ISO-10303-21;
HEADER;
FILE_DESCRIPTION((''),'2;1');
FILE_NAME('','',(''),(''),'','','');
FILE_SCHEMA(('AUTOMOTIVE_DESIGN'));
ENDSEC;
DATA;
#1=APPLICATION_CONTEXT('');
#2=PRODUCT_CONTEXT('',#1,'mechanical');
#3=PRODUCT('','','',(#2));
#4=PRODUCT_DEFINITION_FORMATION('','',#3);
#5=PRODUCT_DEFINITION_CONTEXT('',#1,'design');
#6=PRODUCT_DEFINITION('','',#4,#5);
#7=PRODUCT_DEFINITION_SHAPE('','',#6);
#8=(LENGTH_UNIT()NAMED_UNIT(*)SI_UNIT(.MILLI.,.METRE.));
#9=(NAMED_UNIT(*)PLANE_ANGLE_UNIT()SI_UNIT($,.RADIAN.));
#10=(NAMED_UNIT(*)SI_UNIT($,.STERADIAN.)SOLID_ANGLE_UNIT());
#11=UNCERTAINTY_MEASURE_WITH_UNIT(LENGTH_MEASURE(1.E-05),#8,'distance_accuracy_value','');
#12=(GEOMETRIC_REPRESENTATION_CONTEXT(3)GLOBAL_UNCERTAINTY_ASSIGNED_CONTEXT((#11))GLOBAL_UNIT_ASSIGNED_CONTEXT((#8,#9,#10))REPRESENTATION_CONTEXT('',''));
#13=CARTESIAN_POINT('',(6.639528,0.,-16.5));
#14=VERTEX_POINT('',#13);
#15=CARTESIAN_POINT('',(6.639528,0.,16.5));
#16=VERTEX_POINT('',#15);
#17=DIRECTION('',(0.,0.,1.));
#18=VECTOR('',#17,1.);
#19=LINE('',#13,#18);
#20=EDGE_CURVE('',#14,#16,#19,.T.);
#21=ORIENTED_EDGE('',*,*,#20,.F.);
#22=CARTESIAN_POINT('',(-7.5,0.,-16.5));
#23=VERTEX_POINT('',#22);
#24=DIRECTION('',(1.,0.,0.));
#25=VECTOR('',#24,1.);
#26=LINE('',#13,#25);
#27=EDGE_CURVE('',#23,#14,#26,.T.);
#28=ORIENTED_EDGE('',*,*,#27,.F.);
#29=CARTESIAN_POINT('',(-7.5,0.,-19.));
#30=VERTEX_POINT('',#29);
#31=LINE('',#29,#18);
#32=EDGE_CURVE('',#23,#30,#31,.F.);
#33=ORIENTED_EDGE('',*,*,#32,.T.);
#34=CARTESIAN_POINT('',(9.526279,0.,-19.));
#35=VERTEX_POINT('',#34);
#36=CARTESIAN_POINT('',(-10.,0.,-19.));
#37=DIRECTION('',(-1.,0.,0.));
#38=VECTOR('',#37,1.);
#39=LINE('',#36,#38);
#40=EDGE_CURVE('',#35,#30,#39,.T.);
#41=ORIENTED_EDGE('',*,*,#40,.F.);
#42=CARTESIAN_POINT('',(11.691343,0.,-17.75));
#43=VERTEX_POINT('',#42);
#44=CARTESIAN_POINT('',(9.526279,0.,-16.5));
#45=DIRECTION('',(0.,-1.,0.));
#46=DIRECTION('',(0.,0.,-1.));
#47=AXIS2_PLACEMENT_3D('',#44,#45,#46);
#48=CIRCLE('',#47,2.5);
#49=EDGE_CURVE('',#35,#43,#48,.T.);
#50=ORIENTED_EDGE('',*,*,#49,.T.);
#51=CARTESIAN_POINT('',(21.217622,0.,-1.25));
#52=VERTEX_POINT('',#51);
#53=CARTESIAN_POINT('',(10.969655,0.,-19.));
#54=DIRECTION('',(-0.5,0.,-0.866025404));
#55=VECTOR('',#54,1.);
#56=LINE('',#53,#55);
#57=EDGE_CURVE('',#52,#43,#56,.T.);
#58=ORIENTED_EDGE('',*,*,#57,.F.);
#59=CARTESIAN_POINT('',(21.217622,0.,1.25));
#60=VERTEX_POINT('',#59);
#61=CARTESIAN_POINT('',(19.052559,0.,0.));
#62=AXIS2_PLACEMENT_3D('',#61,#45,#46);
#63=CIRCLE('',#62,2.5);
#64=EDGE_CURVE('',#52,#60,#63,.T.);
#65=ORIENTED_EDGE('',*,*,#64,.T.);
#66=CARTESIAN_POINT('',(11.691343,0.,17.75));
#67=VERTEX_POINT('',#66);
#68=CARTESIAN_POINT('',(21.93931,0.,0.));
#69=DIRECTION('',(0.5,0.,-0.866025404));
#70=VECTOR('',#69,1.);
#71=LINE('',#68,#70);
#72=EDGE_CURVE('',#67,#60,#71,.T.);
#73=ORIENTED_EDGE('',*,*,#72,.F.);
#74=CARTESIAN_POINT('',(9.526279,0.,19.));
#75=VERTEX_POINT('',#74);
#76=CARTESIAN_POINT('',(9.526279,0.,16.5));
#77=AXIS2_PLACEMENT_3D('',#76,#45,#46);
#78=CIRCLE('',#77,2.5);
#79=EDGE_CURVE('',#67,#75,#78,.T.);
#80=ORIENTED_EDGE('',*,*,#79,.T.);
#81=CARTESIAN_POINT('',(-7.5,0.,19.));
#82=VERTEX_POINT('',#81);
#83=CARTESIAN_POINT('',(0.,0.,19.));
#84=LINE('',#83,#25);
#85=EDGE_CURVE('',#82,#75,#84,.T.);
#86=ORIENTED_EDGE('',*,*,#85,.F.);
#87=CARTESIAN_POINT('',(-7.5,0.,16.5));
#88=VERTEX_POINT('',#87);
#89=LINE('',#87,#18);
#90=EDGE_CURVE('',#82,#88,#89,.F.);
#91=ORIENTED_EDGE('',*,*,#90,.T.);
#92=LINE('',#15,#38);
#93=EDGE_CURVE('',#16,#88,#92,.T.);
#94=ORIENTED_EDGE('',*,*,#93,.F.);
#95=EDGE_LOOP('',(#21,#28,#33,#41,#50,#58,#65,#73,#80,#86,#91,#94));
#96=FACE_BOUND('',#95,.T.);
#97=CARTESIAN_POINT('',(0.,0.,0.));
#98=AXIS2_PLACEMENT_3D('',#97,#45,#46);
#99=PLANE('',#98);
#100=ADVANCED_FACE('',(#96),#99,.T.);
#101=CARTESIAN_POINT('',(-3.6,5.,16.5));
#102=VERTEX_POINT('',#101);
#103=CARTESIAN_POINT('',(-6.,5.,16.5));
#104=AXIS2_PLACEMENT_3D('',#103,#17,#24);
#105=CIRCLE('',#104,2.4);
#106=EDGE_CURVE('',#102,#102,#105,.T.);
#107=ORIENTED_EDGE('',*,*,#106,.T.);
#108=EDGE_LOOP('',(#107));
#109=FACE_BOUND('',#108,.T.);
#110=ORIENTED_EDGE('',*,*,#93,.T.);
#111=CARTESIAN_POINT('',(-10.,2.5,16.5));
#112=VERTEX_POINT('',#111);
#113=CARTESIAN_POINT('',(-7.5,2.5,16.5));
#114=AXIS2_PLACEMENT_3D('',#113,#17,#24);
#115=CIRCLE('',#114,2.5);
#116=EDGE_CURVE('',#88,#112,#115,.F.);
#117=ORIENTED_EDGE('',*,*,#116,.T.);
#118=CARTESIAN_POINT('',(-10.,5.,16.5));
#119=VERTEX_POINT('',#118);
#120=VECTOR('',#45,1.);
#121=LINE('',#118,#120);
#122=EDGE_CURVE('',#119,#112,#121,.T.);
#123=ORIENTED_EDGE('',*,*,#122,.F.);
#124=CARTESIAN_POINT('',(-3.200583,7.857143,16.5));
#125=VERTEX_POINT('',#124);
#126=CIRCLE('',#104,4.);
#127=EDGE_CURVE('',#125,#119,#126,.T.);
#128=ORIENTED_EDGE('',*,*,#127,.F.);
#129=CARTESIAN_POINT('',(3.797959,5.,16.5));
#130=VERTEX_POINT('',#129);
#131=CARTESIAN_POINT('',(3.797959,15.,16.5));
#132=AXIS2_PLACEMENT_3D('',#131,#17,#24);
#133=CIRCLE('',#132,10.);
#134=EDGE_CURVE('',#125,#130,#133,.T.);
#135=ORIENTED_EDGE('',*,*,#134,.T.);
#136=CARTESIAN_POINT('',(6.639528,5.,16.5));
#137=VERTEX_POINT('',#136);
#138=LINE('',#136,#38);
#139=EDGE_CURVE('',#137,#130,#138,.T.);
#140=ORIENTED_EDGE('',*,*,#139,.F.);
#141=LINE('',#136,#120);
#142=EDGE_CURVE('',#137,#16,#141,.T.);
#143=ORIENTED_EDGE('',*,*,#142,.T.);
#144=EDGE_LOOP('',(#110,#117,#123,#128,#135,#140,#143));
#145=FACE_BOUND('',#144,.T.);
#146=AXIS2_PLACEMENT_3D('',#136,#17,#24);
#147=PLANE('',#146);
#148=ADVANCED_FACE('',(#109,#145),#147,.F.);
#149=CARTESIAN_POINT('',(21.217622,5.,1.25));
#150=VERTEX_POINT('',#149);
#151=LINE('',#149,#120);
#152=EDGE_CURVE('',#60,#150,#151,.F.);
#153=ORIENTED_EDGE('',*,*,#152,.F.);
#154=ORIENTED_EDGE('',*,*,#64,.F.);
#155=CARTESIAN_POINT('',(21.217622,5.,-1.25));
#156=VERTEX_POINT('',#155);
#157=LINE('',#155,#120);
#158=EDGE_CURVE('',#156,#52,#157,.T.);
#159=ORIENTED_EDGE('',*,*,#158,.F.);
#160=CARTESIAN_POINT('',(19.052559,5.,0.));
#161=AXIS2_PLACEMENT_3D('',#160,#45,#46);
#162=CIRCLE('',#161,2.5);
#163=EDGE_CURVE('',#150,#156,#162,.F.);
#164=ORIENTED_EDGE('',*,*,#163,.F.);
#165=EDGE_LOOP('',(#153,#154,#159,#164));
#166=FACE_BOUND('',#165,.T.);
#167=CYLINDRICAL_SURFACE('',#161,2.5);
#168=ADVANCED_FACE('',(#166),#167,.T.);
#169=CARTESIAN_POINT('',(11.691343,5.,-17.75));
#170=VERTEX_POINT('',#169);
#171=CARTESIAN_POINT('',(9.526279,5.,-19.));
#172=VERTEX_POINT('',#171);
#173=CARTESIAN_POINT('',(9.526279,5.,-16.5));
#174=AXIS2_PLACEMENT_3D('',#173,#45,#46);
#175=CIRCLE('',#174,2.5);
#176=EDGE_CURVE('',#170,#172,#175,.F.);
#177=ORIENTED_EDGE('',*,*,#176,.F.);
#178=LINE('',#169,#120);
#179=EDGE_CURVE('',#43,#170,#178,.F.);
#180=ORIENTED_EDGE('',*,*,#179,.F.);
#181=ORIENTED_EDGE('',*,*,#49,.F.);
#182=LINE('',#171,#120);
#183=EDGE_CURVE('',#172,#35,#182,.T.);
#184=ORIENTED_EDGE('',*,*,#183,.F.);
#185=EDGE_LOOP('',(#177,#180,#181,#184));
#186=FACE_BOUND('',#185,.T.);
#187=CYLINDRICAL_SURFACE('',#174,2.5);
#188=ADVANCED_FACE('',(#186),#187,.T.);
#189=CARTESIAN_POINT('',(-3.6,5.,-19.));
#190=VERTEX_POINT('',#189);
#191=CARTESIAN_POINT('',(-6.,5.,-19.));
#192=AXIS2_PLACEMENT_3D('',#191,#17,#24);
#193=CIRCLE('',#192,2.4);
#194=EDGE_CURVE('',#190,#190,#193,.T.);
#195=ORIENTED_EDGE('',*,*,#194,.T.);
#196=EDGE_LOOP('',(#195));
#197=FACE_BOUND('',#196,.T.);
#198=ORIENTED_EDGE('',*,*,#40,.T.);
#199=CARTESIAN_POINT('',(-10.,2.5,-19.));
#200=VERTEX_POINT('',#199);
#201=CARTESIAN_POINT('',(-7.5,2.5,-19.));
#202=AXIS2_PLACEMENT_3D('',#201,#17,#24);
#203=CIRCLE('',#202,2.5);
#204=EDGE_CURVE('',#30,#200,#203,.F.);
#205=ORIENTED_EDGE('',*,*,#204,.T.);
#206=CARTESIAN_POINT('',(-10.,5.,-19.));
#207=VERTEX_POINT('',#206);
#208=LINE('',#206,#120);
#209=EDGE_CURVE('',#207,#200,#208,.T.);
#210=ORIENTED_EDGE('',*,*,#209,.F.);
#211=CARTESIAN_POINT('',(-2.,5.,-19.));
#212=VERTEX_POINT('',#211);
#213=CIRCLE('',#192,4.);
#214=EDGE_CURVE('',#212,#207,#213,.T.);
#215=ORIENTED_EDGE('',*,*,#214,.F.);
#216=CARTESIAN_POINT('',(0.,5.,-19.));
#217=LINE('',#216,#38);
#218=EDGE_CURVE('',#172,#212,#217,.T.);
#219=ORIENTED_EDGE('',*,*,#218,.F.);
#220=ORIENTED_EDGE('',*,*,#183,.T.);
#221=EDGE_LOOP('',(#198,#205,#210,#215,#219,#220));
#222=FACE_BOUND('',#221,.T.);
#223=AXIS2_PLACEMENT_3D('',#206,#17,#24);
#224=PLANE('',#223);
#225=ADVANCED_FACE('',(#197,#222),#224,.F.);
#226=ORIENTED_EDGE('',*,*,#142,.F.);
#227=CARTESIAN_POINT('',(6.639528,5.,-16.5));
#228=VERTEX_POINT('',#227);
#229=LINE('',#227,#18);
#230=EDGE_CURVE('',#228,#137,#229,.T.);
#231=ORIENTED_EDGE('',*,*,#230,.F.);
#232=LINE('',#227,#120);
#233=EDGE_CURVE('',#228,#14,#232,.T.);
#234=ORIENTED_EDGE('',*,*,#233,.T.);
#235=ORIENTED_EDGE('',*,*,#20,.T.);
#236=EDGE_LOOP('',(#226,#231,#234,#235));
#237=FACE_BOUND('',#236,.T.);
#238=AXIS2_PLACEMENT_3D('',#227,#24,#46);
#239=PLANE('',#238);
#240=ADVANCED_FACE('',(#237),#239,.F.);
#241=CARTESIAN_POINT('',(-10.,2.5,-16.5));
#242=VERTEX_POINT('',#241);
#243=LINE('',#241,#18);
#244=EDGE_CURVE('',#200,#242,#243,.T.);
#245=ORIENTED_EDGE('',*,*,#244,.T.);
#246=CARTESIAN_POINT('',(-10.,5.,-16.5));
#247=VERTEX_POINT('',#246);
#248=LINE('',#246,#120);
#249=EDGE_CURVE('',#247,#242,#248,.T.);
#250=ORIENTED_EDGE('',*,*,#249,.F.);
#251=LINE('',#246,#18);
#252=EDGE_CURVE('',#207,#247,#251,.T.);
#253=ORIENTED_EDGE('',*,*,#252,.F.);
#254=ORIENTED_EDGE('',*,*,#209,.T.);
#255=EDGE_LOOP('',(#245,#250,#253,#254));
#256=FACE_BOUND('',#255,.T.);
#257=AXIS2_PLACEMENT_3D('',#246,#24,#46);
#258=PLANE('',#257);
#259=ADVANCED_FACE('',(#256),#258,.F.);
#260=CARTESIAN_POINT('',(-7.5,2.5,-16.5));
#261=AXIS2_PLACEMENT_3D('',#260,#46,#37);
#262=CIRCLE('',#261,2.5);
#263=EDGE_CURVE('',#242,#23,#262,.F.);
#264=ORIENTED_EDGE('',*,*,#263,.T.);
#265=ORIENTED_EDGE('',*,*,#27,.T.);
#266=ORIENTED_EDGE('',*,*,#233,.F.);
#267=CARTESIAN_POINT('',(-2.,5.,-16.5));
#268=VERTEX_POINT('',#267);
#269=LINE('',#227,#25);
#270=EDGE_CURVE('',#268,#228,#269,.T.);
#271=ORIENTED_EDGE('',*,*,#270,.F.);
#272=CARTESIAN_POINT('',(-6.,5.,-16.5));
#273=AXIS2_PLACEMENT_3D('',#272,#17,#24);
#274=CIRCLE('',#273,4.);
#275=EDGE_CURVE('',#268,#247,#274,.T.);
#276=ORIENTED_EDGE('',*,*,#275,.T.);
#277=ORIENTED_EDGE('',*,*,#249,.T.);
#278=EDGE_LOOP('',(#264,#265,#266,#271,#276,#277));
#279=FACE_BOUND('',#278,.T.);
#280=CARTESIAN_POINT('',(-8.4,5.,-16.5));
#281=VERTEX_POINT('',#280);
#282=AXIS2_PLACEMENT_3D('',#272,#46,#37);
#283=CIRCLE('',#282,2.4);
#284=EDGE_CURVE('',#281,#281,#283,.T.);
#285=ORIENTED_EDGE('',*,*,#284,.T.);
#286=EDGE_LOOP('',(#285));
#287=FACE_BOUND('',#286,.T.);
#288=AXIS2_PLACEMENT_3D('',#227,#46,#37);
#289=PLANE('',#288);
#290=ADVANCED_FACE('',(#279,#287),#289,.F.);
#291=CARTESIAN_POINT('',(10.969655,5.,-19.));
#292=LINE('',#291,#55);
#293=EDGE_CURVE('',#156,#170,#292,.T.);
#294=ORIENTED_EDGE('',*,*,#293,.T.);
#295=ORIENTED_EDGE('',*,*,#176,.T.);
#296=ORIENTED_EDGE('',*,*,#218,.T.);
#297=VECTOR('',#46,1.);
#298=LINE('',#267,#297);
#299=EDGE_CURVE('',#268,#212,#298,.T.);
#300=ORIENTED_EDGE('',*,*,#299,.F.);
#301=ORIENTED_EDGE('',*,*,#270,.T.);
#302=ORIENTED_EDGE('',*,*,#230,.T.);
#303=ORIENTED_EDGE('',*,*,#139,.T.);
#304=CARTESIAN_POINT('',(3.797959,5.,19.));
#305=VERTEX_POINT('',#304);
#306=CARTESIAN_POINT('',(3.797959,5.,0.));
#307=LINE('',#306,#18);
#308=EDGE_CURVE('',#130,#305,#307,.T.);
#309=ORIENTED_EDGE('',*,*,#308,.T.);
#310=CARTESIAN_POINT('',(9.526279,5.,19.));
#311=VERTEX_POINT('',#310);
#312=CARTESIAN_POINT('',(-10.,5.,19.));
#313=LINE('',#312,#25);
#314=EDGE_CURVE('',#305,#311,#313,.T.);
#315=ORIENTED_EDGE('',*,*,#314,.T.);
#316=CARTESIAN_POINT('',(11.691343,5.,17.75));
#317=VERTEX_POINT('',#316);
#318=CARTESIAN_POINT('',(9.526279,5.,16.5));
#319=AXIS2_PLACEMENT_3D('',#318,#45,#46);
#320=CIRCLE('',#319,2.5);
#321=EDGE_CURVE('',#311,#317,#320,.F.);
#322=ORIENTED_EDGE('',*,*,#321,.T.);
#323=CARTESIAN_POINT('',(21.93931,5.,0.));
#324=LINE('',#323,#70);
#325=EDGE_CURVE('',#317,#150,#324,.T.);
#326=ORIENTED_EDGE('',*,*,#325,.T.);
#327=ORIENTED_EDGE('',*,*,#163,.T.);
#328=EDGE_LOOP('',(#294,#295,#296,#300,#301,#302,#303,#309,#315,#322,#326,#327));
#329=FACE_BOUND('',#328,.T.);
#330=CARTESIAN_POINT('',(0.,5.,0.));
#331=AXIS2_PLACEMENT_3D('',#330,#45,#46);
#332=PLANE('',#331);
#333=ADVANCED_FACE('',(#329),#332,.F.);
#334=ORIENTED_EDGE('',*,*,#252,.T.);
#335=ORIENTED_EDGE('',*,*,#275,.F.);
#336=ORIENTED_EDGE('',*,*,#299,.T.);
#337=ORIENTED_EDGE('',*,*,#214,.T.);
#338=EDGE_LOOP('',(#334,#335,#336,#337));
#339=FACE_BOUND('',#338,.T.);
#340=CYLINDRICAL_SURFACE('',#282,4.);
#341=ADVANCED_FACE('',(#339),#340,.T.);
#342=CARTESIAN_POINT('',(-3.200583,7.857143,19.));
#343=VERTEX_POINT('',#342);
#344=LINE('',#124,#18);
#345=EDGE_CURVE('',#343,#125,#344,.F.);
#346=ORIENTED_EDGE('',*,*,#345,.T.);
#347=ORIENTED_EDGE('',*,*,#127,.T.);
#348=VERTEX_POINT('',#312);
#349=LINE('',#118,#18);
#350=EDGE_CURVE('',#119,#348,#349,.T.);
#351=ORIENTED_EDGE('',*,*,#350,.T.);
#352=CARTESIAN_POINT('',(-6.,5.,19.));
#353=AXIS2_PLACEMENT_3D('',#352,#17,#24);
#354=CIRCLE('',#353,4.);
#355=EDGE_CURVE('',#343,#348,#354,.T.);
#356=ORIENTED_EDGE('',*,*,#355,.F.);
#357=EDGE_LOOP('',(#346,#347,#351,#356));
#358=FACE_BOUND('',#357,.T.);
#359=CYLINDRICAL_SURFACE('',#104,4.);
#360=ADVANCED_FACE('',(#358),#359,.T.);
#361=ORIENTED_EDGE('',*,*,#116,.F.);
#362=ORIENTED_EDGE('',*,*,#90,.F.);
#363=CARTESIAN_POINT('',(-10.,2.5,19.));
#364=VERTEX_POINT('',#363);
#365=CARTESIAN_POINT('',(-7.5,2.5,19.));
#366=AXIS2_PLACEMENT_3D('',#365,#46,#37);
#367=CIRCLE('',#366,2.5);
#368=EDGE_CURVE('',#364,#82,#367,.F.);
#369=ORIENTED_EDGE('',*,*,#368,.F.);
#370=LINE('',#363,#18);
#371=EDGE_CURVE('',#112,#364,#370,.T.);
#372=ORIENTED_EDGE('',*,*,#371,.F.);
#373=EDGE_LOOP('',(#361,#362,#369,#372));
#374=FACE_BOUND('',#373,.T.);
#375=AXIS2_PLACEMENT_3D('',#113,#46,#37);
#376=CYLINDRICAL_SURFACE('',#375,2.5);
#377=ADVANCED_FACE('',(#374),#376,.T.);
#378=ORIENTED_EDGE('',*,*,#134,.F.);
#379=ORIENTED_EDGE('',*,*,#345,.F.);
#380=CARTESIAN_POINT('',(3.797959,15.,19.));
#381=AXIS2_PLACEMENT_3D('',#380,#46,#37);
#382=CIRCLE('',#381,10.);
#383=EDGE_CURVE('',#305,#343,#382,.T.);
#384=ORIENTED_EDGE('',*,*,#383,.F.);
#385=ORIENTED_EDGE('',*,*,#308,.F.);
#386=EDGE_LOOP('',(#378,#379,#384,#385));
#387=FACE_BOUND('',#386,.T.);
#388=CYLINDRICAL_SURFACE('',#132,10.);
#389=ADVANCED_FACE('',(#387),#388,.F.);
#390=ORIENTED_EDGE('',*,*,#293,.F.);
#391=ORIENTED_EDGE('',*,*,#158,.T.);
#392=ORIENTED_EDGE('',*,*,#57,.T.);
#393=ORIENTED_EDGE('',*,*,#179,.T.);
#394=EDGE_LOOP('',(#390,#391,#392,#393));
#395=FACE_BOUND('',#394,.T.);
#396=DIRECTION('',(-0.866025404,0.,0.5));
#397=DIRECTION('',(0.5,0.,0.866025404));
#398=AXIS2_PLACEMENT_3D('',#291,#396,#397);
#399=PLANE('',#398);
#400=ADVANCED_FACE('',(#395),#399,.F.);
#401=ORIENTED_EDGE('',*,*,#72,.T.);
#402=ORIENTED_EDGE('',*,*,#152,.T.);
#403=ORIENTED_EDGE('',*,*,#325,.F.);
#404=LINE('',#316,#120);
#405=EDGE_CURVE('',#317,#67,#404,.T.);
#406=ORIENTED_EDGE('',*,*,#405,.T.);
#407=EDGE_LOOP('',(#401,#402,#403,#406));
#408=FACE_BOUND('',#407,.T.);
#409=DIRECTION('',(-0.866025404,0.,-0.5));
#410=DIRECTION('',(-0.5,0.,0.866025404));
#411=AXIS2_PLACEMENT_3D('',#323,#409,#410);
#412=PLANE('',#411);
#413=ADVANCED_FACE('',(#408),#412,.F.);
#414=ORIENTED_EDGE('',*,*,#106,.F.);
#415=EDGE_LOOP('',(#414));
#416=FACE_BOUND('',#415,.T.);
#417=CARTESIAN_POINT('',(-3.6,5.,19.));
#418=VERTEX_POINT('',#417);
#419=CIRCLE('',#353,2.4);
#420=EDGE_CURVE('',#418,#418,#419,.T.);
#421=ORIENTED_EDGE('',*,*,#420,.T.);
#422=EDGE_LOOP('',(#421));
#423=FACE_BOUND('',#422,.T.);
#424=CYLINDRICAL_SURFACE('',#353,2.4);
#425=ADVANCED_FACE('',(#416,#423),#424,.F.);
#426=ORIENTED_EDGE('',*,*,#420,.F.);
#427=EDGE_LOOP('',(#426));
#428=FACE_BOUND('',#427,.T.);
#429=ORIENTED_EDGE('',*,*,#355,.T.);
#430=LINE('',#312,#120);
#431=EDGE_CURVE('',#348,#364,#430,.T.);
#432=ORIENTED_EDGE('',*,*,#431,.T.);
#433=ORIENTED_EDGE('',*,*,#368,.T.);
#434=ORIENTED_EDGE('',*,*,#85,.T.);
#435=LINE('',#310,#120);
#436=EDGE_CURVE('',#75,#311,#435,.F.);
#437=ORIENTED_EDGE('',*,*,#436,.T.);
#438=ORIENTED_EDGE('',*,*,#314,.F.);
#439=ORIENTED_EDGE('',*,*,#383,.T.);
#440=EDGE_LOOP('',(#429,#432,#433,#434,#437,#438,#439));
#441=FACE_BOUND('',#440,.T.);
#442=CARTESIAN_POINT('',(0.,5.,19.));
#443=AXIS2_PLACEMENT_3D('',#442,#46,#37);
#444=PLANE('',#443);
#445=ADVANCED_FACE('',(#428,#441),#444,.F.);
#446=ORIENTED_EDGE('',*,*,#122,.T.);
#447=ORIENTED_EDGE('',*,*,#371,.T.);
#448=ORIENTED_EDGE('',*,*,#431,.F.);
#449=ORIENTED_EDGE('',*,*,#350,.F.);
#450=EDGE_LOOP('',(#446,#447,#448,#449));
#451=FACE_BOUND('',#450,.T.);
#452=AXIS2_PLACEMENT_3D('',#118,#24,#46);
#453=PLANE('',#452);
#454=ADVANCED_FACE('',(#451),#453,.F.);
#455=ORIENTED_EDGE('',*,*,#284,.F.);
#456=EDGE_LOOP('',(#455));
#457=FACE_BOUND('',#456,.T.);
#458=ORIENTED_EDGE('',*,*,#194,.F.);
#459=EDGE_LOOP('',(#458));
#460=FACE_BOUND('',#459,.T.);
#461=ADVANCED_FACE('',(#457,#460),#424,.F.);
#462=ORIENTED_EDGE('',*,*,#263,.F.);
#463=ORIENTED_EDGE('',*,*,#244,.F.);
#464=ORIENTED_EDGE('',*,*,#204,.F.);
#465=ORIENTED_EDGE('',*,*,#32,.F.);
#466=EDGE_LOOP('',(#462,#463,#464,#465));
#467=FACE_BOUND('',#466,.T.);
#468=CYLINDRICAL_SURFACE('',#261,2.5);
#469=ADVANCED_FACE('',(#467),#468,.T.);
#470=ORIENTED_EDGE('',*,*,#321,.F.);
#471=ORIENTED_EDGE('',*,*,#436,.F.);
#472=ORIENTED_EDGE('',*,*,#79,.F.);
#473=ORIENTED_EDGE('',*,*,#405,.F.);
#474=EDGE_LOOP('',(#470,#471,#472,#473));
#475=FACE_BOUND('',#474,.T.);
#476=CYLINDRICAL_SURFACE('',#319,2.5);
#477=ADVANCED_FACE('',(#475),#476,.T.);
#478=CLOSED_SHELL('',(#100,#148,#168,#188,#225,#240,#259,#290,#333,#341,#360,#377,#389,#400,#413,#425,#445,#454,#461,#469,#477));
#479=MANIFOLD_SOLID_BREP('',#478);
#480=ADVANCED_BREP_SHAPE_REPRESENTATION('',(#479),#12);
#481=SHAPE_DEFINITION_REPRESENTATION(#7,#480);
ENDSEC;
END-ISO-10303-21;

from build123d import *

# Parameters (mm, degrees)
BOSS_EXTRUDE1_DEPTH  = 5
BOSS_EXTRUDE2_DEPTH  = 2.5
M4_CLEARANCE_HOLE2_D = 4.8
FILLET1_R            = 10
FILLET2_R            = 2.5


with BuildPart() as part:
    # Sketch1 → Boss-Extrude1 (new body)
    with BuildSketch(Plane(origin=(0, 0, 0), x_dir=(1, 0, 0), z_dir=(0, 1, 0))):
        Polygon((10.969655115, 19), (21.939310229, 0), (10.969655115, -19), (0, -19), (-10, -19), (-10, -16.5), (6.639528096, -16.5), (6.639528096, 16.5), (-10, 16.5), (-10, 19), (0, 19), align=None)
    extrude(amount=BOSS_EXTRUDE1_DEPTH)

    # Sketch2 → Boss-Extrude2 (add)
    with BuildSketch(Plane.XY.offset(19)):
        with BuildLine():
            Line((-10, 5), (-2, 5))
            ThreePointArc((-2, 5), (-6, 9), (-10, 5))
        make_face()
    boss_extrude2 = extrude(amount=-BOSS_EXTRUDE2_DEPTH)

    # Mirror1: Boss-Extrude2 across plane
    add(boss_extrude2.mirror(Plane.XY))

    # M4 Clearance Hole2 (through all)
    with Locations(Plane(origin=(-6, 5, 19), x_dir=(1, 0, 0), z_dir=(0, 0, 1))):
        with Locations((0, 0)):
            Hole(M4_CLEARANCE_HOLE2_D / 2)

    # Fillet1
    fillet1_edges = [part.edges().sort_by_distance(p)[0] for p in [
        (-2, 5, 17.75),
    ]]
    fillet(fillet1_edges, radius=FILLET1_R)

    # Fillet2
    fillet2_edges = [part.edges().sort_by_distance(p)[0] for p in [
        (-10, 0, 17.75),
        (-10, 0, -17.75),
        (10.969655115, 2.5, -19),
        (21.939310229, 2.5, 0),
        (10.969655115, 2.5, 19),
    ]]
    fillet(fillet2_edges, radius=FILLET2_R)


solid = part.part
